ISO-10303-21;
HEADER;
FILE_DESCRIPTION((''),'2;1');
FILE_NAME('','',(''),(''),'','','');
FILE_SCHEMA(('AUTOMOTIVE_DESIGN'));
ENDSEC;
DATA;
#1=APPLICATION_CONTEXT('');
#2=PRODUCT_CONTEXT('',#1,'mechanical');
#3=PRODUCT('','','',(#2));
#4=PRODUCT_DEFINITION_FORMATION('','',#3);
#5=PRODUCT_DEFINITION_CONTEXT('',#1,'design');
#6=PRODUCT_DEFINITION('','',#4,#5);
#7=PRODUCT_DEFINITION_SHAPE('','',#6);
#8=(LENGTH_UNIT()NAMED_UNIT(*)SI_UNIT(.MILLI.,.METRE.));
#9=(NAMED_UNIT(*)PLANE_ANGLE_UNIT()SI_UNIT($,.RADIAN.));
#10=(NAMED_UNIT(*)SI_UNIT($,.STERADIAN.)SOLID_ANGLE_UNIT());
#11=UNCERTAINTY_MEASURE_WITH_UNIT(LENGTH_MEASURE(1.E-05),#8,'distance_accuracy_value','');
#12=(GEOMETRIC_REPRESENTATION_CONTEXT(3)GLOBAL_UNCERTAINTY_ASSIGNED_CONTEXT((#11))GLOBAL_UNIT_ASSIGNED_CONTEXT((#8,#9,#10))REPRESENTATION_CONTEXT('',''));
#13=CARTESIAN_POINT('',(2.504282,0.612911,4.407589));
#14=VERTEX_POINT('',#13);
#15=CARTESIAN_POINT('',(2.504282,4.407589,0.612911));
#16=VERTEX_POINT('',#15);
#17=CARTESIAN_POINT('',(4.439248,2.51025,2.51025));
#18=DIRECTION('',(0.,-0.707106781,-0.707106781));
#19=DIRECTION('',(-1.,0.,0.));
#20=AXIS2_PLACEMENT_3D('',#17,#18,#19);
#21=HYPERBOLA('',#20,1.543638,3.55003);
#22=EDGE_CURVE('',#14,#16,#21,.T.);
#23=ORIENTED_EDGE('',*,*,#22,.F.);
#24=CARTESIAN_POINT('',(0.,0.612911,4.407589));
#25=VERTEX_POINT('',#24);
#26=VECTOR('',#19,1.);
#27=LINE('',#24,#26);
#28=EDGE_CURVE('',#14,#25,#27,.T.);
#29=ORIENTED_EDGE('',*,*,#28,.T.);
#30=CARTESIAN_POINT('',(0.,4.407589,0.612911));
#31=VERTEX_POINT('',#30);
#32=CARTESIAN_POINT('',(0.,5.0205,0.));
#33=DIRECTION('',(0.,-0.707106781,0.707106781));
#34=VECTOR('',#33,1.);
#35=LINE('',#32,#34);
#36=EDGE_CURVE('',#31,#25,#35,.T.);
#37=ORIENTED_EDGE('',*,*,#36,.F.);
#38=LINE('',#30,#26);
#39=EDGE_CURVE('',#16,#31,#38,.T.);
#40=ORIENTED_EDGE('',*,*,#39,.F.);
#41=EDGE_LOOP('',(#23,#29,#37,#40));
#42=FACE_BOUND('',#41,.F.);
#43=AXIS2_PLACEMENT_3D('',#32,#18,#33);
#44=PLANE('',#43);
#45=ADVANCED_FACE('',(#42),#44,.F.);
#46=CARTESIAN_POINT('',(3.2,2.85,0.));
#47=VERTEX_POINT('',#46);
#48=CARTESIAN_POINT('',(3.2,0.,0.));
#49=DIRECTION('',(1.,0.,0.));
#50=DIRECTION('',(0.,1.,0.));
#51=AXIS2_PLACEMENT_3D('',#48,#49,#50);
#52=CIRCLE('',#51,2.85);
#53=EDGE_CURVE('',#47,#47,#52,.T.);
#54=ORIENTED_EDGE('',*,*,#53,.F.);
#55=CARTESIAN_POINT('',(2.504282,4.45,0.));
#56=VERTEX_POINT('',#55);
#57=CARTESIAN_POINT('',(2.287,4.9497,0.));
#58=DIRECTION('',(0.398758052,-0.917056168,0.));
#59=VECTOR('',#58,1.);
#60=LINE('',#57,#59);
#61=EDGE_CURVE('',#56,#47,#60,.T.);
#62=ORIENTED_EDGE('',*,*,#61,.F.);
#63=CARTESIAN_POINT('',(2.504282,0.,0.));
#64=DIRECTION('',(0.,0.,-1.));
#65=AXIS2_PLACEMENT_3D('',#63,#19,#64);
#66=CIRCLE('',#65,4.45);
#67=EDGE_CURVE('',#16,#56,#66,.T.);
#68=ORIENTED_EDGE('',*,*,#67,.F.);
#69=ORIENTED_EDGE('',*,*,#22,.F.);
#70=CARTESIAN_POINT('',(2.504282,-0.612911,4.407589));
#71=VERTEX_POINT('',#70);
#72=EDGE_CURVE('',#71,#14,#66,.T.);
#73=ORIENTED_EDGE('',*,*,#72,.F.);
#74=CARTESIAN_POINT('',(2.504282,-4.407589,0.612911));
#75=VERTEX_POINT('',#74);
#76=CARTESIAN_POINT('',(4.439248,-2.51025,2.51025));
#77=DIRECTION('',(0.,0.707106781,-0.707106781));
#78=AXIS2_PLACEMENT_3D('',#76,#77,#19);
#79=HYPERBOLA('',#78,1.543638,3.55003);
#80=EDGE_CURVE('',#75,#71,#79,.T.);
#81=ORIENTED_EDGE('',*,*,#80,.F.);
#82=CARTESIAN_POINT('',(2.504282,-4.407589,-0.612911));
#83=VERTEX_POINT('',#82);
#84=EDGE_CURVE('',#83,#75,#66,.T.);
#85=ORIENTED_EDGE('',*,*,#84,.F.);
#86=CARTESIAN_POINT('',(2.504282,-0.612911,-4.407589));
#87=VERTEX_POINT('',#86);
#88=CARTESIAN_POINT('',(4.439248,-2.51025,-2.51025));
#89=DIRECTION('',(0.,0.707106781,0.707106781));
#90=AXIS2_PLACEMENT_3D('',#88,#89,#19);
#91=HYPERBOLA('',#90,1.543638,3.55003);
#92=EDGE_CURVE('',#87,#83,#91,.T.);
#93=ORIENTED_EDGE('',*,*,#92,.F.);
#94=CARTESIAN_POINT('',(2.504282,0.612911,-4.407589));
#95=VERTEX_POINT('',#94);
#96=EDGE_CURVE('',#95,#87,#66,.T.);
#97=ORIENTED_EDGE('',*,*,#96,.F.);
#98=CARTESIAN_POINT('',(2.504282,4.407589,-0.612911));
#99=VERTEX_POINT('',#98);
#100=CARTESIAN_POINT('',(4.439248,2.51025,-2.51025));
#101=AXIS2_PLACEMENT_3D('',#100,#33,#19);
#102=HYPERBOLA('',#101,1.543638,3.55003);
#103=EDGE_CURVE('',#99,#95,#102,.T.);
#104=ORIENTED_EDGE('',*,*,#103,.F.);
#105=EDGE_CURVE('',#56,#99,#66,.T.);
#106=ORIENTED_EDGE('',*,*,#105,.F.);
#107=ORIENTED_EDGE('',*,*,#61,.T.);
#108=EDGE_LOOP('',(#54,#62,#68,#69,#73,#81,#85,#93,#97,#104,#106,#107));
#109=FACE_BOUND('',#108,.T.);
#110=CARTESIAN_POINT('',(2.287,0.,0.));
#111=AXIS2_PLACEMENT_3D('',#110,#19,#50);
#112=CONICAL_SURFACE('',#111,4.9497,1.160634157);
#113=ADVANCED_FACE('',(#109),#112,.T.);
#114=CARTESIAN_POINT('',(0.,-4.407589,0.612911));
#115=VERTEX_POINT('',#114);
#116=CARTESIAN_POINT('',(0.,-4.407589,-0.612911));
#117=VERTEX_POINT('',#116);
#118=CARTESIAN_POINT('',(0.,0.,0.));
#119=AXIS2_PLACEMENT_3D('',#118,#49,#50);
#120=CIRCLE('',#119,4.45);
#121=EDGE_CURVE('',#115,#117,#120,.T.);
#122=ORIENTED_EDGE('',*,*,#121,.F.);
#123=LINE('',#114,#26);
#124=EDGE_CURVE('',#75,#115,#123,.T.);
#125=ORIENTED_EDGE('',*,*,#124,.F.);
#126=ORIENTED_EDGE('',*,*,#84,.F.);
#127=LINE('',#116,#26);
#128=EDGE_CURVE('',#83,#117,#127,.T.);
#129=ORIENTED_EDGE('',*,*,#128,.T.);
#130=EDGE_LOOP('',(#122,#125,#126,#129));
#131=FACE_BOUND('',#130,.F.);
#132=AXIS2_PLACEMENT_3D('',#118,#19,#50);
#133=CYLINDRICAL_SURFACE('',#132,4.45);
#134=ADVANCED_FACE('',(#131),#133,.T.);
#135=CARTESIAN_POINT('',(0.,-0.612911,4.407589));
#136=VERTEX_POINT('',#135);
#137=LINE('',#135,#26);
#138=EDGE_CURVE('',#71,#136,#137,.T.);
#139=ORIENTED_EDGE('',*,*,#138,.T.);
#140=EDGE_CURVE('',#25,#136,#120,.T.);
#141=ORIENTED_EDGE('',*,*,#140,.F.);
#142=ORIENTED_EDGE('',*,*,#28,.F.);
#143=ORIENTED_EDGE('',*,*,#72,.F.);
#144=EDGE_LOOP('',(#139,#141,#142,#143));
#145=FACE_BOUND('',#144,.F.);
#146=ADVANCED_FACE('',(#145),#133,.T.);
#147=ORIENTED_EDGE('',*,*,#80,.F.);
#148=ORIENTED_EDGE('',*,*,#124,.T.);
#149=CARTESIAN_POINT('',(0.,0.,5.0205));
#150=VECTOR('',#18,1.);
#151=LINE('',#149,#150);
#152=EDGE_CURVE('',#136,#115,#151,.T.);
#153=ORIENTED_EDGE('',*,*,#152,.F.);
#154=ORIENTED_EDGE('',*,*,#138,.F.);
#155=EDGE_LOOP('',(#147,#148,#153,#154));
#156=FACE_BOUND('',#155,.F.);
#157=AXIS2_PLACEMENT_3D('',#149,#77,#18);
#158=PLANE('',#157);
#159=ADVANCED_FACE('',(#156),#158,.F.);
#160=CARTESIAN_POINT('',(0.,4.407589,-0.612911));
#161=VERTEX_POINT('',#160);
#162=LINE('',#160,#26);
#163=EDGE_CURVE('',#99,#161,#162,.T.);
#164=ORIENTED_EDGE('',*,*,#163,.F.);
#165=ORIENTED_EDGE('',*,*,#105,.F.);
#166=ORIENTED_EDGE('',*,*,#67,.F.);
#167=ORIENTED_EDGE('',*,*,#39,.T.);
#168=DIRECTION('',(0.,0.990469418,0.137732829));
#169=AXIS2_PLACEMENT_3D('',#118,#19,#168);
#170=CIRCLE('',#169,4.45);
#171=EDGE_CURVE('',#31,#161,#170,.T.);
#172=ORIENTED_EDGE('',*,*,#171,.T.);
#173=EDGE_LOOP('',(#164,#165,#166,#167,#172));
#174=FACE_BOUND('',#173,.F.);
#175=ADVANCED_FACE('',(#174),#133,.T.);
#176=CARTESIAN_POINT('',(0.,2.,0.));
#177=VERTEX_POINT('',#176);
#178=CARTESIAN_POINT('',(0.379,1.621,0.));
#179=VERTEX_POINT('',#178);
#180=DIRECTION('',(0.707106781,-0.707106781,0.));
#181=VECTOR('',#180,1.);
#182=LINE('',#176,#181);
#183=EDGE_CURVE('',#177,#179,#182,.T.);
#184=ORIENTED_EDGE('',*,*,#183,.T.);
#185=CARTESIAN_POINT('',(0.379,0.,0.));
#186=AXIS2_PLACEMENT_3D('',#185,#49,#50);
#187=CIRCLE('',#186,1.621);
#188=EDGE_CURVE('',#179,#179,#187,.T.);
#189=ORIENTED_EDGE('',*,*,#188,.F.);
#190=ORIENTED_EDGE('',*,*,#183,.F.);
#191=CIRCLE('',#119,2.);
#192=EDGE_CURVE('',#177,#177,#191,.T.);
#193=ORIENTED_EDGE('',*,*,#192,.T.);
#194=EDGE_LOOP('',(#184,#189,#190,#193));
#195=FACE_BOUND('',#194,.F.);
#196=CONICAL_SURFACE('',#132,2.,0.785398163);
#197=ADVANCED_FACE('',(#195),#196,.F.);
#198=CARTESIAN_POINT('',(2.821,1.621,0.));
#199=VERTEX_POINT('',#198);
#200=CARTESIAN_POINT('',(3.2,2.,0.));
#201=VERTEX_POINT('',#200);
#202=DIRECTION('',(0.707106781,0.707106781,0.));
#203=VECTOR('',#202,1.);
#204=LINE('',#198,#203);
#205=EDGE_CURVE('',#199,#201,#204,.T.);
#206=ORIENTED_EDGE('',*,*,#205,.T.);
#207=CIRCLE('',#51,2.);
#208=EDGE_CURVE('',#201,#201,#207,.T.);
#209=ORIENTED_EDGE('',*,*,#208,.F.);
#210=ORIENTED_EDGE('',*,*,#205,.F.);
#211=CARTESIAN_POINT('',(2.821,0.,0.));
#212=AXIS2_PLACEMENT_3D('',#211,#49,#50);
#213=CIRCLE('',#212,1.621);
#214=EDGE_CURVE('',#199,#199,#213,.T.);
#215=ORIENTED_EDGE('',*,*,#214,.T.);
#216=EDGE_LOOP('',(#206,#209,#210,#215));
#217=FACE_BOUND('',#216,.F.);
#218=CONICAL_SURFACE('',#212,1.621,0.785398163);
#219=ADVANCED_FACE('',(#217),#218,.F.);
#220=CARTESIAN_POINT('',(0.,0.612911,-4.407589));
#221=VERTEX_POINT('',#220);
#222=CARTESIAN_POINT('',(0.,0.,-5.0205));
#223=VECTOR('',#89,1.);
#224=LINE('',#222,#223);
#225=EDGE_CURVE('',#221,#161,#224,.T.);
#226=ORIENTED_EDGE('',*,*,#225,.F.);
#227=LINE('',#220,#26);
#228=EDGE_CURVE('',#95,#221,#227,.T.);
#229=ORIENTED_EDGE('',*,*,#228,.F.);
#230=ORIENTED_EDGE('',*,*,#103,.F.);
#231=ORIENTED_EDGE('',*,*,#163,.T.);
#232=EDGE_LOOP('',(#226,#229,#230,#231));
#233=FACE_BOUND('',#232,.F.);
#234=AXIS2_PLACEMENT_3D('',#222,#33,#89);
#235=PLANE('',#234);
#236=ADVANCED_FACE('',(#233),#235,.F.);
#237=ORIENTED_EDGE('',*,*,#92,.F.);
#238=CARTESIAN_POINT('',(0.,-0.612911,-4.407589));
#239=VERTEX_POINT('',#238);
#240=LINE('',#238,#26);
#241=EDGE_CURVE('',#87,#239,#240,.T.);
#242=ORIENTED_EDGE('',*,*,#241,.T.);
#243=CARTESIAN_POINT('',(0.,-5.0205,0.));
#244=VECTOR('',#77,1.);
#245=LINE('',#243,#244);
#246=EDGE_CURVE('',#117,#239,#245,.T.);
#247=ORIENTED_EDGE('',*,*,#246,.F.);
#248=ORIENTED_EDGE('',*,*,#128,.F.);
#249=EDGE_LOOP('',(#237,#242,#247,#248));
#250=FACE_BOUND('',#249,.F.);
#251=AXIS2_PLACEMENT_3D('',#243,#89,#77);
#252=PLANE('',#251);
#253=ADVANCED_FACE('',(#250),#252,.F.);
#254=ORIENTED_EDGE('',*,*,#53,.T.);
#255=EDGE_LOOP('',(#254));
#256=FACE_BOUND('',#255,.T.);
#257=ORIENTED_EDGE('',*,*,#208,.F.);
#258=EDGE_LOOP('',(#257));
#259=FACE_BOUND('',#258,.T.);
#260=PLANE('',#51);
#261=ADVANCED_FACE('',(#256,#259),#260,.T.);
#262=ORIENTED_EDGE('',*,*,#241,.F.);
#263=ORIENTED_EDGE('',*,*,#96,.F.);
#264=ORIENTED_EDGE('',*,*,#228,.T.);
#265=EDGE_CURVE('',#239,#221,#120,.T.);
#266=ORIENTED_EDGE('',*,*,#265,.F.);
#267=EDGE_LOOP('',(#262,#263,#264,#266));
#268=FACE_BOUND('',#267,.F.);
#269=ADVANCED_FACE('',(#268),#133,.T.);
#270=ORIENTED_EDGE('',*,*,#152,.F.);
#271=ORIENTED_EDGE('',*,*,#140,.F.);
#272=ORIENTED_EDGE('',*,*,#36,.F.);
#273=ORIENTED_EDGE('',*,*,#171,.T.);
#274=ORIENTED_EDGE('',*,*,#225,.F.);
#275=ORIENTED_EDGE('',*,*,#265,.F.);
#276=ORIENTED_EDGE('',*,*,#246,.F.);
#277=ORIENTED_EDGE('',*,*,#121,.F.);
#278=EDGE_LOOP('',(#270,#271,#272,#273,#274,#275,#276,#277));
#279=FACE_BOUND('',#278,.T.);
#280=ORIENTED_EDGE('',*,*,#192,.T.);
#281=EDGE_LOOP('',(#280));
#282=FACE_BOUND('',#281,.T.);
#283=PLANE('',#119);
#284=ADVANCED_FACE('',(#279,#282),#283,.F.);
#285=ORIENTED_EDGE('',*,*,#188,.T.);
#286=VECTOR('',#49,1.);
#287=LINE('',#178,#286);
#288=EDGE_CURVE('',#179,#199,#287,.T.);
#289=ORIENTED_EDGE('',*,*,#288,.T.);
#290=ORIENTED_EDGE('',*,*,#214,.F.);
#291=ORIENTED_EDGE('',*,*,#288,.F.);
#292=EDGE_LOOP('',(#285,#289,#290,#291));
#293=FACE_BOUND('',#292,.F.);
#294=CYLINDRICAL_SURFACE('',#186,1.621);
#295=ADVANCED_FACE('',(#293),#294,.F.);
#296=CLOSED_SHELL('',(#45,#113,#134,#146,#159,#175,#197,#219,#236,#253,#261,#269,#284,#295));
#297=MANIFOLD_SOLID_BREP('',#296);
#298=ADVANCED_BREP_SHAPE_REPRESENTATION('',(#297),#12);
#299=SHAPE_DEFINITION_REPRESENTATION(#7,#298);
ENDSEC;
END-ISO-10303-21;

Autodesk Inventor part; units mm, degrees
sketch "Sketch_2" plane through (0, 0, 0) normal (0, 0, 1) x (1, 0, 0)
  line L0 (3.2, 0) -> (0, 0)
  line L1 (0, 0) -> (0, 4.9497)
  line L2 (0, 4.9497) -> (2.287, 4.9497)
  line L3 (2.287, 4.9497) -> (3.2, 2.85)
  line L4 (3.2, 2.85) -> (3.2, 0)
  line L5 (3.2, 0) -> (0, 0)
revolve "Revolution1" add sketch "Sketch_2" angle 360 about axis through (3.2, 0, 0) along (1, 0, 0)
sketch "Skizze_2" plane through (0, 0, 0) normal (1, 0, 0) x (0, 1, 0)
  line L0 (14, 14) -> (-14, 14)
  line L1 (-14, 14) -> (-14, -14)
  line L2 (-14, -14) -> (14, -14)
  line L3 (14, -14) -> (14, 14)
  line L4 (0, 5.0205) -> (-5.0205, 0)
  line L5 (-5.0205, 0) -> (0, -5.0205)
  line L6 (0, -5.0205) -> (5.0205, 0)
  line L7 (5.0205, 0) -> (0, 5.0205)
extrude "Extrusion1" cut sketch "Skizze_2" along normal blind 3.2
sketch "Sketch_1" plane through (0, 0, 0) normal (0, 0, 1) x (1, 0, 0)
  line L0 (3.2, 0) -> (0, 0)
  line L1 (0, 0) -> (0, 2)
  line L2 (0, 2) -> (0.379, 1.621)
  line L3 (0.379, 1.621) -> (2.821, 1.621)
  line L4 (2.821, 1.621) -> (3.2, 2)
  line L5 (3.2, 2) -> (3.2, 0)
  line L6 (3.2, 0) -> (0, 0)
revolve "Revolution2" cut sketch "Sketch_1" angle 360 about axis through (3.2, 0, 0) along (1, 0, 0)
sketch "Sketch_3" plane through (0, 0, 0) normal (1, 0, 0) x (0, 1, 0)
  line L0 (7, 7) -> (-7, 7)
  line L1 (-7, 7) -> (-7, -7)
  line L2 (-7, -7) -> (7, -7)
  line L3 (7, -7) -> (7, 7)
  circle A0 centre (0, 0) radius 4.45
extrude "Extrusion2" cut sketch "Sketch_3" along normal blind 3.2
ref_plane "IP1_XY" through (0, 0, 0) normal (1, 0, 0) x (0, 0, -1)
ref_plane "IP1_YZ" through (0, 0, 0) normal (0, 0, -1) x (0, 1, 0)
ref_plane "IP1_ZX" through (0, 0, 0) normal (0, 1, 0) x (1, 0, 0)
ref_plane "IP2_XY" through (3.2, 0, 0) normal (1, 0, 0) x (0, 0, -1)
ref_plane "IP2_YZ" through (3.2, 0, 0) normal (0, 0, -1) x (0, 1, 0)
ref_plane "IP2_ZX" through (3.2, 0, 0) normal (0, 1, 0) x (1, 0, 0)
properties part number "DIN 557 - M4"
